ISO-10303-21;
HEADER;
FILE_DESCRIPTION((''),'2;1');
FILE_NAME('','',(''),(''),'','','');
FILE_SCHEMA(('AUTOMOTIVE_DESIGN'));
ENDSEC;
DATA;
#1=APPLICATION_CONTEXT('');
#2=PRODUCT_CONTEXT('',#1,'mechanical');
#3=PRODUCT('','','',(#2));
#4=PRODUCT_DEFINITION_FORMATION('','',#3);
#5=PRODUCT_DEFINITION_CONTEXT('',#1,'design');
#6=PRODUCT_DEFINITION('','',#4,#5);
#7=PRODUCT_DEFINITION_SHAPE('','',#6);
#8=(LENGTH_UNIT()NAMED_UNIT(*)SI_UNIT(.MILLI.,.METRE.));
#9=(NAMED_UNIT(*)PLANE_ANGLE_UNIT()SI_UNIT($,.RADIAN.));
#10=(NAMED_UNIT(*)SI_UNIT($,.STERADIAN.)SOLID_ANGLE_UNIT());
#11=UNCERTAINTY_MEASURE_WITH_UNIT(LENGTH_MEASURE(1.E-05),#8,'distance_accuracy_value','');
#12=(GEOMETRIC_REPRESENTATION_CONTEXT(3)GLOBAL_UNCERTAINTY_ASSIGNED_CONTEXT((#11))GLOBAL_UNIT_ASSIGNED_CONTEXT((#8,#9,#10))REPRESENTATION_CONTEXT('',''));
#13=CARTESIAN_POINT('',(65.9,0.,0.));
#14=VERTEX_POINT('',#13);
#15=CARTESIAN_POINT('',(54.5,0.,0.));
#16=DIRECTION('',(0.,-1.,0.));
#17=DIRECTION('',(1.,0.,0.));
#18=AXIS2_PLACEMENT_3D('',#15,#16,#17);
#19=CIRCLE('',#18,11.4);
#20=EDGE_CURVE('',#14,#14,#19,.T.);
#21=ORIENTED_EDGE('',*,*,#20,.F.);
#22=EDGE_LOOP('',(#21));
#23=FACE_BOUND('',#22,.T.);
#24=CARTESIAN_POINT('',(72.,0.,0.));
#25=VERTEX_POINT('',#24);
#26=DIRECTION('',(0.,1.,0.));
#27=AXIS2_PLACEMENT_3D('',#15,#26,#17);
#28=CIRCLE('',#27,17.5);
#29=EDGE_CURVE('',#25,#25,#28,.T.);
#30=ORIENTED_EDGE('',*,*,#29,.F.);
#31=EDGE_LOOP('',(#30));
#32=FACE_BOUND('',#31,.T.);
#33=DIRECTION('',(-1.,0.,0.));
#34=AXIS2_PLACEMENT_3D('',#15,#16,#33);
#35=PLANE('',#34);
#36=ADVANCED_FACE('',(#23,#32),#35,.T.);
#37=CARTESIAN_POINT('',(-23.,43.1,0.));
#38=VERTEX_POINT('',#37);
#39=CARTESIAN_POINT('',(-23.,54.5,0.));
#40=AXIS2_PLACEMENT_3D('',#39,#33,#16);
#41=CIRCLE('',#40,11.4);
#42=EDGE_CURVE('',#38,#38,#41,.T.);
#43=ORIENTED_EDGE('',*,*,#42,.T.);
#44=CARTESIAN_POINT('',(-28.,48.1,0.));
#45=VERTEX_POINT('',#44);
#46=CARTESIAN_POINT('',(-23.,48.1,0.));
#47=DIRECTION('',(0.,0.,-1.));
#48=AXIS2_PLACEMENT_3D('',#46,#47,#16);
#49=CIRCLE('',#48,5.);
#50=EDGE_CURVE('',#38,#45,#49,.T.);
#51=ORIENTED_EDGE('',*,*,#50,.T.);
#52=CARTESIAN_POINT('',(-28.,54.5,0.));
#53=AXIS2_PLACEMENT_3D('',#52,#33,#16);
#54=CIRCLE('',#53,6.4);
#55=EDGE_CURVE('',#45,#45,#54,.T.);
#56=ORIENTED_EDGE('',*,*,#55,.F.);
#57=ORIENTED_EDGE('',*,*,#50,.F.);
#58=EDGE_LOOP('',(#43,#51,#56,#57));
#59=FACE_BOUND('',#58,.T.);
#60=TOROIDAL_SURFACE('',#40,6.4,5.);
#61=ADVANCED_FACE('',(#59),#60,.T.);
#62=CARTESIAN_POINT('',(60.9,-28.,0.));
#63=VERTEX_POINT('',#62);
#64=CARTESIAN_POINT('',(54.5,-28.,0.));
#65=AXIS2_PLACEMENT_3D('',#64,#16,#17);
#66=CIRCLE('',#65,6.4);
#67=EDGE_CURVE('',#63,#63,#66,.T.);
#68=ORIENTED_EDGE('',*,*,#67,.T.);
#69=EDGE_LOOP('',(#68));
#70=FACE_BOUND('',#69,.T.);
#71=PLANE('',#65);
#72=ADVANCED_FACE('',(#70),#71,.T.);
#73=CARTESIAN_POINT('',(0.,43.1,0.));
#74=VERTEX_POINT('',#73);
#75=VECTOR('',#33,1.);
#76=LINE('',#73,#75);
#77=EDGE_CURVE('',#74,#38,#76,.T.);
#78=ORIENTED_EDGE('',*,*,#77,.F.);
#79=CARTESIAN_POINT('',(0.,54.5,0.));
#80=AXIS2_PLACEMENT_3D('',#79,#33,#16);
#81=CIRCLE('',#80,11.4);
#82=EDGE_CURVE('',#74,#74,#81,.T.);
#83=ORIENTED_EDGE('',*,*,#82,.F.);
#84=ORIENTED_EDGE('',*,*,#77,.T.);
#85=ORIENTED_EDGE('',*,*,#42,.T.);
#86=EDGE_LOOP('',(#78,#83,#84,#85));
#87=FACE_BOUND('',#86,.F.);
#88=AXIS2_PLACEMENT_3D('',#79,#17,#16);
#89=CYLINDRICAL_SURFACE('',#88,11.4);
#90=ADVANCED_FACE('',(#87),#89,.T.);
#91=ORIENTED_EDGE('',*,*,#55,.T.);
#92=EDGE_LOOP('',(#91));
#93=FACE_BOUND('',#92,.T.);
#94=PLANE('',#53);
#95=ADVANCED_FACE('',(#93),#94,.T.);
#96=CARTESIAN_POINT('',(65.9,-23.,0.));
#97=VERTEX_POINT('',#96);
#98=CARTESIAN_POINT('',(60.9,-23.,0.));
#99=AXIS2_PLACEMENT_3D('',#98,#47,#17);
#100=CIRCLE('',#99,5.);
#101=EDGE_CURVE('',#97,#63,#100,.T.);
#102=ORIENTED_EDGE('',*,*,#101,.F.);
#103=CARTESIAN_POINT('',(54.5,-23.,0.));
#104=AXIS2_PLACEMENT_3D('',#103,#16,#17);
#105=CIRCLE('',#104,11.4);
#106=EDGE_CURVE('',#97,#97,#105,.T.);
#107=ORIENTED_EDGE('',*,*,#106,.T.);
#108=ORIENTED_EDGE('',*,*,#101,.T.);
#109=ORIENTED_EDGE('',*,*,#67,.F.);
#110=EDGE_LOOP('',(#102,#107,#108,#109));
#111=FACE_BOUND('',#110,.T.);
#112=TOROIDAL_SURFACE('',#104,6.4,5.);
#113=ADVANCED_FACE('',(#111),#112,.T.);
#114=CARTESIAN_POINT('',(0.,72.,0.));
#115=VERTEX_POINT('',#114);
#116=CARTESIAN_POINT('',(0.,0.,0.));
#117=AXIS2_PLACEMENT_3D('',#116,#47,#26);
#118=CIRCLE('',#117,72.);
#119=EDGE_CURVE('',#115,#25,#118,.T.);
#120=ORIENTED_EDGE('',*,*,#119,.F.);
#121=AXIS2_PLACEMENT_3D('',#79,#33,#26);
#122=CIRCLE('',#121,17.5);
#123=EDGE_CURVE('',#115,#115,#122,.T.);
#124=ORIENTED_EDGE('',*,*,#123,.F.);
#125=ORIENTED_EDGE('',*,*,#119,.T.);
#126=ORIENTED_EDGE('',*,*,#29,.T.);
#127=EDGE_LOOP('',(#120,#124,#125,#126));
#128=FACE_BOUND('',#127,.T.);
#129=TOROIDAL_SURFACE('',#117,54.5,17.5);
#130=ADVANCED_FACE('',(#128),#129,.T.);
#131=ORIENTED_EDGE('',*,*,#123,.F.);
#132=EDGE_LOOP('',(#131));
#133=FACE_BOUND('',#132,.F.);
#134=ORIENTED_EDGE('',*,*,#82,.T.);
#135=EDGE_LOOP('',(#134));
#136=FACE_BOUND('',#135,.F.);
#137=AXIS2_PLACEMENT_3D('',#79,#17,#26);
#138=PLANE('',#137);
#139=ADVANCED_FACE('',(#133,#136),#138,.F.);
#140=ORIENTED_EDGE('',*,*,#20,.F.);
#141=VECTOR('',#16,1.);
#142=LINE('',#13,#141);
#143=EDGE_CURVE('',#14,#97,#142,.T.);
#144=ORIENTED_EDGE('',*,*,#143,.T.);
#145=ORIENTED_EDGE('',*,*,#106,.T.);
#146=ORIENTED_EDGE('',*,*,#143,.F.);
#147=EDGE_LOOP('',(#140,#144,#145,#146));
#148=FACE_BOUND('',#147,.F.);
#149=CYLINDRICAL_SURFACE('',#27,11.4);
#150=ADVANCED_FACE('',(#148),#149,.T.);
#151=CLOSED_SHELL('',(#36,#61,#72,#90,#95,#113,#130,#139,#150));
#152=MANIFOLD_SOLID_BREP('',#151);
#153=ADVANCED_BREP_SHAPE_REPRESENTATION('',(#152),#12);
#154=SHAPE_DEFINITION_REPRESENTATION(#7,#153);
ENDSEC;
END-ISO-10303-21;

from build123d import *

# Parameters (mm, degrees)
F1_R     = 17.5
F3_R     = 11.4
F4_DEPTH = 28
F5_R     = 11.4
F6_DEPTH = 28
F7_R     = 5
F8_R     = 5


with BuildPart() as f2:
    # F2: sweep along a path in F0
    with BuildLine(Plane.XY) as f2_path:
        ThreePointArc((0, 54.5), (38.5373195747, 38.5373195747), (54.5, 0))
    # F1 (on Right) → F2 (sweep)
    with BuildSketch(Plane.YZ):
        with Locations((54.5, 0)):
            Circle(F1_R)
    sweep(path=f2_path.line)

    # F3 (on face) → F4 (join)
    with BuildSketch(Plane.XZ):
        with Locations((54.5, 0)):
            Circle(F3_R)
    extrude(amount=F4_DEPTH)

    # F5 (on face) → F6 (join)
    with BuildSketch(Plane(origin=(0, 0, 0), x_dir=(0, -1, 0), z_dir=(-1, 0, 0))):
        with Locations((-54.5, 0)):
            Circle(F5_R)
    extrude(amount=F6_DEPTH)

    # F7
    f7_edges = [f2.edges().sort_by_distance(p)[0] for p in [
        (43.1, -28, 0),
    ]]
    fillet(f7_edges, radius=F7_R)

    # F8
    f8_edges = [f2.edges().sort_by_distance(p)[0] for p in [
        (-28, 65.9, 0),
    ]]
    fillet(f8_edges, radius=F8_R)


solid = f2.part
